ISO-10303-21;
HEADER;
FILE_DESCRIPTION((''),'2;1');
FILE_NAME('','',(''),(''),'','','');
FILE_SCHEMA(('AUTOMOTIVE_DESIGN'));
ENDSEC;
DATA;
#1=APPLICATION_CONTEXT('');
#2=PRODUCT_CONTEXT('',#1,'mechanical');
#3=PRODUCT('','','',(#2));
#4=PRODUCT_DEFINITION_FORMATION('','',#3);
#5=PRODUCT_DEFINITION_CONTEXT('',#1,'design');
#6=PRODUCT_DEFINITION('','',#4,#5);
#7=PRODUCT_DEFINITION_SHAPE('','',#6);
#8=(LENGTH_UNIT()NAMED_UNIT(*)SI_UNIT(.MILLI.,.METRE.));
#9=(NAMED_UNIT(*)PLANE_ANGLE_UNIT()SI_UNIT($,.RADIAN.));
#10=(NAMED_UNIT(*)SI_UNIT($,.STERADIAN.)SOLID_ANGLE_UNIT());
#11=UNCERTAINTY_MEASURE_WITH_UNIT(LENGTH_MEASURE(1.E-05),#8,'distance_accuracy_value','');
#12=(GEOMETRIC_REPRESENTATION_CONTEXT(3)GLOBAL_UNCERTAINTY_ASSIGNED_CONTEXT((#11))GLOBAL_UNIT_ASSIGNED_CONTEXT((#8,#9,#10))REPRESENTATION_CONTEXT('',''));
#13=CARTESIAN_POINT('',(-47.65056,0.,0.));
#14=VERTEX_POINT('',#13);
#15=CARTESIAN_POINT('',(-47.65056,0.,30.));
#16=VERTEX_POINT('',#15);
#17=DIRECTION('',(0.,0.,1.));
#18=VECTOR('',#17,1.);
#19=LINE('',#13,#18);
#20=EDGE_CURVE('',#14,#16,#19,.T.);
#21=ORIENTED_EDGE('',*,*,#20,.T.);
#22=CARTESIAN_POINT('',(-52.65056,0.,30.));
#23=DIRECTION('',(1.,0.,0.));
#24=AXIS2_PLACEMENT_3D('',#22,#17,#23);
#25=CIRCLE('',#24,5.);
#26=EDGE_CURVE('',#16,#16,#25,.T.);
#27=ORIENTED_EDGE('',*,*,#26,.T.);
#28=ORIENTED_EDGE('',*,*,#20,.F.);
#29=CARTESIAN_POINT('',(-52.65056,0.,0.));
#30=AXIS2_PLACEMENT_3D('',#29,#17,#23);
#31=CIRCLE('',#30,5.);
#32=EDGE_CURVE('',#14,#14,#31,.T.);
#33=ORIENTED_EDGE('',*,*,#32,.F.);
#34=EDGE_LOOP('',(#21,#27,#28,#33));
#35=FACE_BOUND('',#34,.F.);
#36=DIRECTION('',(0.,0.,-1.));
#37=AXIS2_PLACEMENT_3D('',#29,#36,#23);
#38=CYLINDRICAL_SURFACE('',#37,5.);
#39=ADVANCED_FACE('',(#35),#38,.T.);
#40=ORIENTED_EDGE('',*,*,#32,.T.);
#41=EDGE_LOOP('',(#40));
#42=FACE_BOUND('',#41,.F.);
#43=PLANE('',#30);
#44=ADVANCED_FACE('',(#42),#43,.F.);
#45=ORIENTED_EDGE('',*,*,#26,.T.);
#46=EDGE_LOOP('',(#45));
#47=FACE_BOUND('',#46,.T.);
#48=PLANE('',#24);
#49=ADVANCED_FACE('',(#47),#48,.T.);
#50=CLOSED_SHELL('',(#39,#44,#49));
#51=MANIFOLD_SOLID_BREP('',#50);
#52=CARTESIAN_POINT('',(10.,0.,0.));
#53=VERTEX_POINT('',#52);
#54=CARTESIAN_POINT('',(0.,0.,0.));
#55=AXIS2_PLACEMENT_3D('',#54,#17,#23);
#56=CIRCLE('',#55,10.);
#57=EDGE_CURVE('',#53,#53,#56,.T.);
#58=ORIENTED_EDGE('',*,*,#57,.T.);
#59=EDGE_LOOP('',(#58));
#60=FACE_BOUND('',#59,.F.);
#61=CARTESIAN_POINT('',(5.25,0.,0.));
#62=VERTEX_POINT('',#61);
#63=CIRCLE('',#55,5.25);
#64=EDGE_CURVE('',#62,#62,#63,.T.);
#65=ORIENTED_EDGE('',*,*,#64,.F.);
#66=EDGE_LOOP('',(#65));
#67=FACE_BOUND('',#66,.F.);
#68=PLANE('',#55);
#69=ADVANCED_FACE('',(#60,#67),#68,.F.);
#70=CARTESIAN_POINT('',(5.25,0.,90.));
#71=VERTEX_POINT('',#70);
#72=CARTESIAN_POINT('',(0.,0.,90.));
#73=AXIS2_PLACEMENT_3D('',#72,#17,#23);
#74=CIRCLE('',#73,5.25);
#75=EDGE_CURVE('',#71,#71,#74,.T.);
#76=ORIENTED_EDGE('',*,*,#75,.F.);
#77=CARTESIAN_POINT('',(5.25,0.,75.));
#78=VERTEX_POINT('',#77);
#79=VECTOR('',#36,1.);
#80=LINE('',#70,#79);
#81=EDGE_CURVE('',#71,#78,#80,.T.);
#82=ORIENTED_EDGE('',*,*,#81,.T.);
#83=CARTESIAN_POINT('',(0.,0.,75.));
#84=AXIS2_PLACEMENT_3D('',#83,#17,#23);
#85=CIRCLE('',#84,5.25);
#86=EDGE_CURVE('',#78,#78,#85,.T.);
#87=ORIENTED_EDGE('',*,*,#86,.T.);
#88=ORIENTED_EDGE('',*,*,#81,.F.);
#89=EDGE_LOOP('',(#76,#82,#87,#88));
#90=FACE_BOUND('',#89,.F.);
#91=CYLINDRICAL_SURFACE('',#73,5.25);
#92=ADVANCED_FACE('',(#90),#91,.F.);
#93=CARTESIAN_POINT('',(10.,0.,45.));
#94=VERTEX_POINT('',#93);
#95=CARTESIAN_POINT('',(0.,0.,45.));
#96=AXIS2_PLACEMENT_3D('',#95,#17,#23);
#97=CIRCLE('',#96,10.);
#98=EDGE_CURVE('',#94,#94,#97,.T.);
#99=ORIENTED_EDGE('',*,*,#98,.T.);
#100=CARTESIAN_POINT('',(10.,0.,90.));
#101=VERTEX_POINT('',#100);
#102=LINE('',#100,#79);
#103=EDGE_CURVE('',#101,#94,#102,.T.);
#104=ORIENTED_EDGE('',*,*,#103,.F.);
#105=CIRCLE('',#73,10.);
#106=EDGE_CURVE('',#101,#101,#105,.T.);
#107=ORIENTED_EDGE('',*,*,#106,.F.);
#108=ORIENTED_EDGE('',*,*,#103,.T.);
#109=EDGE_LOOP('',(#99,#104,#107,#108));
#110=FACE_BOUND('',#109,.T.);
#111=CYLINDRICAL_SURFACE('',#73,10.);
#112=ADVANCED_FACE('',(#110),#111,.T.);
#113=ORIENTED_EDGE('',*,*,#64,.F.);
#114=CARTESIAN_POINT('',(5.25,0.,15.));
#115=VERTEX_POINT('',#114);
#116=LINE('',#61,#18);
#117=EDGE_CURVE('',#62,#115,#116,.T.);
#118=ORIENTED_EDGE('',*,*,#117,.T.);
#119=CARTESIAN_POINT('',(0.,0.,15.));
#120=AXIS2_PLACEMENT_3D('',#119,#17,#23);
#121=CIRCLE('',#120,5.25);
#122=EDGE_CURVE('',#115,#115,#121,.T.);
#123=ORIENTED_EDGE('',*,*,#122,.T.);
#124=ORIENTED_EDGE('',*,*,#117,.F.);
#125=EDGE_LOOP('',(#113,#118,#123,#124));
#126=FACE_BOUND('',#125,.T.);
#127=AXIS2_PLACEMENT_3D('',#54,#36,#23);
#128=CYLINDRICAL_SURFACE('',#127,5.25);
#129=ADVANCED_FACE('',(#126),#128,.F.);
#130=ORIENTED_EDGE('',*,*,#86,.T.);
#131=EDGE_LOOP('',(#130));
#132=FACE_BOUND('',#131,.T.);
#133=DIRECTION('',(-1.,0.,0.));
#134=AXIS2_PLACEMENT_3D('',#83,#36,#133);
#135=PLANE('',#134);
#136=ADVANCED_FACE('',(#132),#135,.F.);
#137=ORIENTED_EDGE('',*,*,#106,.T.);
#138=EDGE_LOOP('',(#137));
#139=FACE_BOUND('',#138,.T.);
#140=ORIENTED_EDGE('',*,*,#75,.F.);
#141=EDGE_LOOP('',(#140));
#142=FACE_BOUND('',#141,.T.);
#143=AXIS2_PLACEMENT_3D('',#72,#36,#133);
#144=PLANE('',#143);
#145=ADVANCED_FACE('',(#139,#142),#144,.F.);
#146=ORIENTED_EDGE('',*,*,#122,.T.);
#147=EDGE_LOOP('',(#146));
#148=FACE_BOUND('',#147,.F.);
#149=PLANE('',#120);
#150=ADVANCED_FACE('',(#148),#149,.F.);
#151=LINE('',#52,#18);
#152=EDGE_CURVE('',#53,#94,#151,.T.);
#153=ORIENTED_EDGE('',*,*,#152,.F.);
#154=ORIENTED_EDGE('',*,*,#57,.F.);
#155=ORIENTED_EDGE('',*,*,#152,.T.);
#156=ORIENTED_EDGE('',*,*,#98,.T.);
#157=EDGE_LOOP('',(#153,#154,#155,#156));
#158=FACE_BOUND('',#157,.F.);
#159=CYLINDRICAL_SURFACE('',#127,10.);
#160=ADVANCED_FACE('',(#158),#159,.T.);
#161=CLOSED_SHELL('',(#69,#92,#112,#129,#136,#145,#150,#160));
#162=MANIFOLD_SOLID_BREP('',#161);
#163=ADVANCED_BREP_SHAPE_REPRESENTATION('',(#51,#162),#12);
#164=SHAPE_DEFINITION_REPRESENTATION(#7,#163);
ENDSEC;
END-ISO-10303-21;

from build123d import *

# Parameters (mm, degrees)
F0_R     = 10
F0_R_2   = 5.25
F1_DEPTH = 45
F2_DEPTH = 15
F4_R     = 5
F5_DEPTH = 30


with BuildPart() as f1:
    # F0 (on Top) → F1 (new body)
    with BuildSketch(Plane.XY):
        Circle(F0_R)
        Circle(F0_R_2, mode=Mode.SUBTRACT)
        Circle(F0_R_2)
    extrude(amount=F1_DEPTH)

    # F0 (on Top) → F2 (cut)
    with BuildSketch(Plane.XY):
        Circle(F0_R_2)
    extrude(amount=F2_DEPTH, mode=Mode.SUBTRACT)

    # F3: F1 across face


with BuildPart() as f1_1:
    add(f1.part)
    add(f1.part.mirror(Plane.XY.offset(45)))


with BuildPart() as f5:
    # F4 (on Top) → F5 (new body)
    with BuildSketch(Plane.XY):
        with Locations((-52.65056, 0)):
            Circle(F4_R)
    extrude(amount=F5_DEPTH)


solid = Compound([f1_1.part, f5.part])
